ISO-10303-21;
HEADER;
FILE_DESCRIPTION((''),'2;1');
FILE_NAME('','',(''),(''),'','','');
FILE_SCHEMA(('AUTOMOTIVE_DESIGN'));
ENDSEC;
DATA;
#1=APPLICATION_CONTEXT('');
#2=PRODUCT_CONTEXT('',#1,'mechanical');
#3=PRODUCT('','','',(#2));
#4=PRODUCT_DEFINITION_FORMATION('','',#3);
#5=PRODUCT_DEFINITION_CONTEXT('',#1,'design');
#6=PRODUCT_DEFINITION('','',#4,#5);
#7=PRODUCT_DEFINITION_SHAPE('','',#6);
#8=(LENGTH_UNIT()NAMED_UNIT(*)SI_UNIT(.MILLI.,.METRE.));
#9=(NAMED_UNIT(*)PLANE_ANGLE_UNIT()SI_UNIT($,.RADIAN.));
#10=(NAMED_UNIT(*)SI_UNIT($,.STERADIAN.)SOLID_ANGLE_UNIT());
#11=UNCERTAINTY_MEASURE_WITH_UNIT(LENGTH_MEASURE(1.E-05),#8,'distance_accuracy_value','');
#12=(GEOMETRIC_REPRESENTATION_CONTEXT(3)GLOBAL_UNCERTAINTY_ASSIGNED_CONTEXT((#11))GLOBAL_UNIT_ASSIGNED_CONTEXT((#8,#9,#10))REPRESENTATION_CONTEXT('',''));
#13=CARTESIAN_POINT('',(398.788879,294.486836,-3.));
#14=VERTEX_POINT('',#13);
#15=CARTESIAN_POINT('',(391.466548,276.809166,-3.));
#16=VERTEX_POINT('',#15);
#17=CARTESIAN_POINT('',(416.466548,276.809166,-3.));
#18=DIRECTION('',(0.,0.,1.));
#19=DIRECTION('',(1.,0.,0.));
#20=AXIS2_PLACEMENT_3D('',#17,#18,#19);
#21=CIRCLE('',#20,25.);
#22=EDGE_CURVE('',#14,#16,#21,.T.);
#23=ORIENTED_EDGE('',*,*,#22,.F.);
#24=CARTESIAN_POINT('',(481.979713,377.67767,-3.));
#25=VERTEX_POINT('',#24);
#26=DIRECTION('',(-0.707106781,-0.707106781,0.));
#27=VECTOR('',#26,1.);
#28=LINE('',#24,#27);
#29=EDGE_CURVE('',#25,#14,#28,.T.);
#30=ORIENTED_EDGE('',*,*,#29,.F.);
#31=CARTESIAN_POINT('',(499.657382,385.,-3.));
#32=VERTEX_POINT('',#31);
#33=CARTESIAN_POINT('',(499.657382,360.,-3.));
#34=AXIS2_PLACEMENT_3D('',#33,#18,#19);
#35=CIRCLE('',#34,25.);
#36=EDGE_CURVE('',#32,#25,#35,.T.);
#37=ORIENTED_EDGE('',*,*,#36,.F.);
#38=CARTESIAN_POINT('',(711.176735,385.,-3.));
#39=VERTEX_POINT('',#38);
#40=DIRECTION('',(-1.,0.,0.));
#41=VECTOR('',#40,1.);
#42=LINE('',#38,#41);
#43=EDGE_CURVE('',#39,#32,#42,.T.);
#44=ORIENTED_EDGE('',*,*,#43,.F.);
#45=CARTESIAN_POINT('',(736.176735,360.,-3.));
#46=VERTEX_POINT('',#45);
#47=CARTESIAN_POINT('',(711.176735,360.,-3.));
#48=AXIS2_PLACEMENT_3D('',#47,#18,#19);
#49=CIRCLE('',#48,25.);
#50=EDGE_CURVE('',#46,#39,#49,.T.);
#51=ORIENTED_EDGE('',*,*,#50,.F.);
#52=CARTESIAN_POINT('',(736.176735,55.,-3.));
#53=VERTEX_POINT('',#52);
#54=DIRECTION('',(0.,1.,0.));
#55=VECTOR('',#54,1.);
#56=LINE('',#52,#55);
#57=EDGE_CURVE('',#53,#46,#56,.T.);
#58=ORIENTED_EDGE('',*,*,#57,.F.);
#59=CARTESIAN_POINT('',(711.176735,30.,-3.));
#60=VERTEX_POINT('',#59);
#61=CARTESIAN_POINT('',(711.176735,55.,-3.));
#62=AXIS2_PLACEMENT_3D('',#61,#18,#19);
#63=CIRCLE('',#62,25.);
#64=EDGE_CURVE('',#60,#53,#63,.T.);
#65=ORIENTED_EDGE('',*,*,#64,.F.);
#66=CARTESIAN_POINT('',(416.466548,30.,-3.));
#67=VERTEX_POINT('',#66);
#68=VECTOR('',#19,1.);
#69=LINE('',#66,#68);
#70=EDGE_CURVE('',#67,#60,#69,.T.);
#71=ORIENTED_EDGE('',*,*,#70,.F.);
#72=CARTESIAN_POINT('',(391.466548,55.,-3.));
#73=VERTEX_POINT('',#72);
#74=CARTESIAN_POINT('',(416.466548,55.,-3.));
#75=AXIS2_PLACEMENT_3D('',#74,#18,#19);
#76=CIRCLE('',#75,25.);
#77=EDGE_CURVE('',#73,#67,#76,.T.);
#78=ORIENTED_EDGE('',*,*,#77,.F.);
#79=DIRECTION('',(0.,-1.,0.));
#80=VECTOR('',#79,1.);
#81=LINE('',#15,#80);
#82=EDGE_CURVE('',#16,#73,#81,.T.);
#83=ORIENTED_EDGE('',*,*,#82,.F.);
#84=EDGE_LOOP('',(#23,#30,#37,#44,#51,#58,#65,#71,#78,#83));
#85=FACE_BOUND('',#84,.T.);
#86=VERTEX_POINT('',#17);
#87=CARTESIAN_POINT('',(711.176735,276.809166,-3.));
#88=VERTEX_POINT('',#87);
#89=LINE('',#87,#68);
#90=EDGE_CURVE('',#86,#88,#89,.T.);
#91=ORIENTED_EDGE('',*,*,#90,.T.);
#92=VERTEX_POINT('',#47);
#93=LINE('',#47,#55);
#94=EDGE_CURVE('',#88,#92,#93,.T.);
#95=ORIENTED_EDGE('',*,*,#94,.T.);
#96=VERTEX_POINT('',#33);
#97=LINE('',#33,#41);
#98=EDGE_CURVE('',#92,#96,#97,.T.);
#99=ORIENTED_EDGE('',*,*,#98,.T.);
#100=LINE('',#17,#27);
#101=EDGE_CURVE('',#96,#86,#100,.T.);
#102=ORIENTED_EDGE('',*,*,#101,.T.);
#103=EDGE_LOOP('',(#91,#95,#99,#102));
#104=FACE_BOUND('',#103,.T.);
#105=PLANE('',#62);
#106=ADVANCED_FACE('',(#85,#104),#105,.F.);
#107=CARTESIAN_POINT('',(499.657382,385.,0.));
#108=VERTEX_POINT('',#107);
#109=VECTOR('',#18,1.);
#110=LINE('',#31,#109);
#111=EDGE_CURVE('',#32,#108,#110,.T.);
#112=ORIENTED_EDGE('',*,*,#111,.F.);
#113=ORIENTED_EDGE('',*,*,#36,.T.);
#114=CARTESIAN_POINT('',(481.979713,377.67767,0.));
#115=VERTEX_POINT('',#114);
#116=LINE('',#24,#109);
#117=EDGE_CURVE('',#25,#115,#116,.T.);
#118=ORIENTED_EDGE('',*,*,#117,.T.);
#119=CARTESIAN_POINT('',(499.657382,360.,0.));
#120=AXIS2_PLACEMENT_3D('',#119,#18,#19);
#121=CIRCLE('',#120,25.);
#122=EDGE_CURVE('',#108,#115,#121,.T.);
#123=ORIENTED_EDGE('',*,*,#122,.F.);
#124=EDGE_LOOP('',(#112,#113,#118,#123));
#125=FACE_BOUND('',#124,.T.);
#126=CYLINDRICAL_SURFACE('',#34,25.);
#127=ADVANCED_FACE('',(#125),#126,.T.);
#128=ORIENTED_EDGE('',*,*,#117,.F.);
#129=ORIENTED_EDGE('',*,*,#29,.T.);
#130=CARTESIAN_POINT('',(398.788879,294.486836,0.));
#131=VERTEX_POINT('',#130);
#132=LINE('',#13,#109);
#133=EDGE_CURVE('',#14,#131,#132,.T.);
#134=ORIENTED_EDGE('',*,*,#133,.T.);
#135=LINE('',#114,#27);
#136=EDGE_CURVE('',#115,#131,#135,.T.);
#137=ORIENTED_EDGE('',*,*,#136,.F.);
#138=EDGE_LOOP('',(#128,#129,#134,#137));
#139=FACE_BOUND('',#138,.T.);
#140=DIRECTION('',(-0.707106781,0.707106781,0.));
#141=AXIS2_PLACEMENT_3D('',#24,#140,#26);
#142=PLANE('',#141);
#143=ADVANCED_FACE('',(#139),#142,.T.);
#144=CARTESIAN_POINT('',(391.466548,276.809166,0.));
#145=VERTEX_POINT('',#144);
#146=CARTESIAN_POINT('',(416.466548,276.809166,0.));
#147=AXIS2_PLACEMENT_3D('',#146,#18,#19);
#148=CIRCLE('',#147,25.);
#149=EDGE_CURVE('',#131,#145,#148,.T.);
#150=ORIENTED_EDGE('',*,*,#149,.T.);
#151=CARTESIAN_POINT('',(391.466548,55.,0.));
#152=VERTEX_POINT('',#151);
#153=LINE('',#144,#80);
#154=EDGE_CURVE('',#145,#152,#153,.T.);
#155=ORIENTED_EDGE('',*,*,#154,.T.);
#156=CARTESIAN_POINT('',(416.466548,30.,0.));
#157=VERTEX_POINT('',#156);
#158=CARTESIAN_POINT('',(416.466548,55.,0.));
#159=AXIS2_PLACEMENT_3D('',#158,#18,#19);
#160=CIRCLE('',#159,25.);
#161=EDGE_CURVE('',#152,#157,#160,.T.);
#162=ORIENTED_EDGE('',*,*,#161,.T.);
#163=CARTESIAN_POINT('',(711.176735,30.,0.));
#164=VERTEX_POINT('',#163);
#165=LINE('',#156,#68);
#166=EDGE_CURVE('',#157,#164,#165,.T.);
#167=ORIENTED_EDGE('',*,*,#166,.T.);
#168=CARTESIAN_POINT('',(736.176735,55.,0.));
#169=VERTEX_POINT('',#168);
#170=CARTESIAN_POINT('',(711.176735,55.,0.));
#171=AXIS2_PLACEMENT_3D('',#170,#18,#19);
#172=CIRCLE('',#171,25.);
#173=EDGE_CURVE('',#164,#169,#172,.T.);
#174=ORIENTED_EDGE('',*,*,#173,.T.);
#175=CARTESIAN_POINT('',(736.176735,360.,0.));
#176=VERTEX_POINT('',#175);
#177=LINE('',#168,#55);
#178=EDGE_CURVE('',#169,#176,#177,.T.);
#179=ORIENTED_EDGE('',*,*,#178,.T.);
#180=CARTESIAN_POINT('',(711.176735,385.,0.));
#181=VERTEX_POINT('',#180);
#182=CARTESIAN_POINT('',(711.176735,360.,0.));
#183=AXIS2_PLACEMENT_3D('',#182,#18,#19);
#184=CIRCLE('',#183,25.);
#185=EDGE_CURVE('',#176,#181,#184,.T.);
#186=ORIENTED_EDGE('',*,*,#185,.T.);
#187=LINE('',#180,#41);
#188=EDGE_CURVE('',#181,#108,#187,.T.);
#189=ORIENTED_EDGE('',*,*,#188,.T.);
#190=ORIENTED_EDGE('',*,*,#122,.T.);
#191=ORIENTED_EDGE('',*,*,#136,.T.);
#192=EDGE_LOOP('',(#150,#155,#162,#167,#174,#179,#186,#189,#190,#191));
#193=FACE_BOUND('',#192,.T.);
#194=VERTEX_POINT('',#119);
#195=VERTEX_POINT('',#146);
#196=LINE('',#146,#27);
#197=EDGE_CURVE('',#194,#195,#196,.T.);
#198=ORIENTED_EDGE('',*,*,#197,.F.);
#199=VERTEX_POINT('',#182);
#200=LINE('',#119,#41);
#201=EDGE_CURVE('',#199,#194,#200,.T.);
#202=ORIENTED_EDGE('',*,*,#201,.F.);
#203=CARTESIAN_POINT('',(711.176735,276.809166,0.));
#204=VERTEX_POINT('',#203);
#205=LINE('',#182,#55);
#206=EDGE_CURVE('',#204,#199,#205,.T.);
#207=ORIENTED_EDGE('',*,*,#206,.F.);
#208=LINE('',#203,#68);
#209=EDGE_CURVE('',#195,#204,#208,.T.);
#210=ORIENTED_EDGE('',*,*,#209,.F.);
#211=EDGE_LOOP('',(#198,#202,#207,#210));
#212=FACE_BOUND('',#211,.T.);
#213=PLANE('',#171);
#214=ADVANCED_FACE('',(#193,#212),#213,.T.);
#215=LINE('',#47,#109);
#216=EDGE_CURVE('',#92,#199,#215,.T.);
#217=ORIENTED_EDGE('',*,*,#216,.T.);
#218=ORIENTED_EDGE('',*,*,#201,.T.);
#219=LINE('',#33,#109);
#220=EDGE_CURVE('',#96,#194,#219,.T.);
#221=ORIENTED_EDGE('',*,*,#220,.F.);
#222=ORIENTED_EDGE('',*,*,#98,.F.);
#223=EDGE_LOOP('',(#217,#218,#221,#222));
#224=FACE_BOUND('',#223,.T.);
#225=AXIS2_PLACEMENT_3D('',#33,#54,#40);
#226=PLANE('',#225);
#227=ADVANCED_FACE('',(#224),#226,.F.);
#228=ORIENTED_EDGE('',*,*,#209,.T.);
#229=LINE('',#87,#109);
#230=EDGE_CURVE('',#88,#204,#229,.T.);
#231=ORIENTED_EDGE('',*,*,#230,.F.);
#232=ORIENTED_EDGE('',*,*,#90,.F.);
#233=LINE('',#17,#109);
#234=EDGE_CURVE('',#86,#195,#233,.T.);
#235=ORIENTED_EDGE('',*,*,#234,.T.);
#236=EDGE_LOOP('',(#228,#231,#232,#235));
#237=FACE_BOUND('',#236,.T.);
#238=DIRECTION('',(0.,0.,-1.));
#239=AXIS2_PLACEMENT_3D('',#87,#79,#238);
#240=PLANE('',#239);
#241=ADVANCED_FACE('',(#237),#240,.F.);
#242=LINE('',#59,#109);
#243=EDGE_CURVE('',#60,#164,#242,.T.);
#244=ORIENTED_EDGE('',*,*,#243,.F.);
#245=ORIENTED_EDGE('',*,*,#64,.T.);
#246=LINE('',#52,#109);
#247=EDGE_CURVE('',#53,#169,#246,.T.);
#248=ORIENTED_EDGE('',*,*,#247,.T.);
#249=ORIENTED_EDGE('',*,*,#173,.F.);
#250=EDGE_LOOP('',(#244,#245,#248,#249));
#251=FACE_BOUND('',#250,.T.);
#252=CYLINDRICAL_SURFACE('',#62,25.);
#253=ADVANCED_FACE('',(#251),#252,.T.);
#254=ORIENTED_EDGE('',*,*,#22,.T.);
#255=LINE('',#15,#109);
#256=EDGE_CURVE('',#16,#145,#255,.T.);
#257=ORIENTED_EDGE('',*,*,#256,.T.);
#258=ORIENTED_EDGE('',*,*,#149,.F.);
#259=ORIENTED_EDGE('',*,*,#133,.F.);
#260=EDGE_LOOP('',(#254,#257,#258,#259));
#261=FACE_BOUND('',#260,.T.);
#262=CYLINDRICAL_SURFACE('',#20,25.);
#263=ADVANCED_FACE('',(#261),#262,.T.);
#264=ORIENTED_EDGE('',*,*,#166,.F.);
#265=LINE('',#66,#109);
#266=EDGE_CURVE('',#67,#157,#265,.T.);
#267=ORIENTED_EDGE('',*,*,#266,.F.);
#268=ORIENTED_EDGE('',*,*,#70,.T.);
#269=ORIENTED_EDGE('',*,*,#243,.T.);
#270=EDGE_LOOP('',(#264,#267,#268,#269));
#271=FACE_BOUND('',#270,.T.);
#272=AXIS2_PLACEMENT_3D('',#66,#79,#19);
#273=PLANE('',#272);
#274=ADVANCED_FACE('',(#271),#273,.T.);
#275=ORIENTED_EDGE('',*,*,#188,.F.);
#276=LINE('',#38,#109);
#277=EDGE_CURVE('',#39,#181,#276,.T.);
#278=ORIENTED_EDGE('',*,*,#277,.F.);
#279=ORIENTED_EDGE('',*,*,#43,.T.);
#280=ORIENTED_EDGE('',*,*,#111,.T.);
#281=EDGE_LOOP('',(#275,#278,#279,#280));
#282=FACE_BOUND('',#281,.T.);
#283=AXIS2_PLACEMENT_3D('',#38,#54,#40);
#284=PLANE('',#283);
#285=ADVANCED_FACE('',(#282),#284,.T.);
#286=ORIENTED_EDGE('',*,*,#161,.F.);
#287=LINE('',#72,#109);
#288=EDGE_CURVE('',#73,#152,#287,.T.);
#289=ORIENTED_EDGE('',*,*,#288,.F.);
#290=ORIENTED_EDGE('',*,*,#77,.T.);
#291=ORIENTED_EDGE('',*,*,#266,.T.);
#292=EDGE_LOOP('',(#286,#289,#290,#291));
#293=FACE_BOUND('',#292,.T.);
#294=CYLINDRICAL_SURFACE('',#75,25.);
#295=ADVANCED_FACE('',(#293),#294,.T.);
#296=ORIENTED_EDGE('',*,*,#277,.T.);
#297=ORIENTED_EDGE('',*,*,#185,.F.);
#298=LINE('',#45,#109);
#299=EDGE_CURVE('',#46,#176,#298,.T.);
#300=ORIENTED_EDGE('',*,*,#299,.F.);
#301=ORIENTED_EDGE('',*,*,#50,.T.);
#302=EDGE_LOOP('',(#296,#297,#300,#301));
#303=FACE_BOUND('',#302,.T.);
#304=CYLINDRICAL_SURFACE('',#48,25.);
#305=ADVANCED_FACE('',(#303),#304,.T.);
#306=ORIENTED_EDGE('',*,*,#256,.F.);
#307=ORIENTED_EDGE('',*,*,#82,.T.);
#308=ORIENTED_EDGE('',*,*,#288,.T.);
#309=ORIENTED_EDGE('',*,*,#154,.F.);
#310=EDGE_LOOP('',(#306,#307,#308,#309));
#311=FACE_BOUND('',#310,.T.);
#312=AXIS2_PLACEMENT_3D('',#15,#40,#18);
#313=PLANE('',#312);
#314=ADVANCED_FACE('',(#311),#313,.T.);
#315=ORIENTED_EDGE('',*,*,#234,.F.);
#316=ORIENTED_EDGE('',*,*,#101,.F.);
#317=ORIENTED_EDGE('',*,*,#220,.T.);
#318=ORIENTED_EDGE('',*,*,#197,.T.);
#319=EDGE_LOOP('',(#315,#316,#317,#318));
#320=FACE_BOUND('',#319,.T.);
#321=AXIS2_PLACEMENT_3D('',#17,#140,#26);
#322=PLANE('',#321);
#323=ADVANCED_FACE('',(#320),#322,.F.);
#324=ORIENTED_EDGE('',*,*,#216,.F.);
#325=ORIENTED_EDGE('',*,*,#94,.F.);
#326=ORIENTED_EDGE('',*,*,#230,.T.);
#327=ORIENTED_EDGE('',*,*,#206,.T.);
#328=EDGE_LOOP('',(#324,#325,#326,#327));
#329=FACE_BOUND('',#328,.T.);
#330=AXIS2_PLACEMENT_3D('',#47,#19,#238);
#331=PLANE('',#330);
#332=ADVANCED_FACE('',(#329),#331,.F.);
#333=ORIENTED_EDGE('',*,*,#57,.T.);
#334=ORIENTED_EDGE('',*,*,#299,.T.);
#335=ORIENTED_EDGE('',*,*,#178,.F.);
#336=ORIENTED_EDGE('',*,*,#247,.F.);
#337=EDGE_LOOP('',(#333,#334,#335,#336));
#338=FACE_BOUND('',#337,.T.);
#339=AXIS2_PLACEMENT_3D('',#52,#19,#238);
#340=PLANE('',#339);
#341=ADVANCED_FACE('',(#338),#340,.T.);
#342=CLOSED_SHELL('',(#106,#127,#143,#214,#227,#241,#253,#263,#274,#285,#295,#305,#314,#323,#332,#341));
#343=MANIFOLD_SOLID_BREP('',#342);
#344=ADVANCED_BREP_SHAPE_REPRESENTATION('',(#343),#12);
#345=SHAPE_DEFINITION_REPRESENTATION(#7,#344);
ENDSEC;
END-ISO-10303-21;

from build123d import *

# Parameters (mm, degrees)
BOSS_EXTRUDE1_DEPTH = 3


with BuildPart() as part:
    # Sketch1 → Boss-Extrude1 (new body)
    with BuildSketch(Plane.XY):
        with BuildLine():
            Line((711.17673453, 385), (499.657382069, 385))
            ThreePointArc((499.657382069, 385), (490.09029626, 383.096988313), (481.979712539, 377.67766953))
            Line((481.979712539, 377.67766953), (398.788878519, 294.486835509))
            ThreePointArc((398.788878519, 294.486835509), (393.369559736, 286.376251789), (391.466548048, 276.80916598))
            Line((391.466548048, 276.80916598), (391.466548048, 55))
            ThreePointArc((391.466548048, 55), (398.788878519, 37.32233047), (416.466548048, 30))
            Line((416.466548048, 30), (711.17673453, 30))
            ThreePointArc((711.17673453, 30), (728.85440406, 37.32233047), (736.17673453, 55))
            Line((736.17673453, 55), (736.17673453, 360))
            ThreePointArc((736.17673453, 360), (728.85440406, 377.67766953), (711.17673453, 385))
        make_face()
        Polygon((416.466548048, 276.80916598), (499.657382069, 360), (711.17673453, 360), (711.17673453, 276.80916598), align=None, mode=Mode.SUBTRACT)
    extrude(amount=-BOSS_EXTRUDE1_DEPTH)


solid = part.part
